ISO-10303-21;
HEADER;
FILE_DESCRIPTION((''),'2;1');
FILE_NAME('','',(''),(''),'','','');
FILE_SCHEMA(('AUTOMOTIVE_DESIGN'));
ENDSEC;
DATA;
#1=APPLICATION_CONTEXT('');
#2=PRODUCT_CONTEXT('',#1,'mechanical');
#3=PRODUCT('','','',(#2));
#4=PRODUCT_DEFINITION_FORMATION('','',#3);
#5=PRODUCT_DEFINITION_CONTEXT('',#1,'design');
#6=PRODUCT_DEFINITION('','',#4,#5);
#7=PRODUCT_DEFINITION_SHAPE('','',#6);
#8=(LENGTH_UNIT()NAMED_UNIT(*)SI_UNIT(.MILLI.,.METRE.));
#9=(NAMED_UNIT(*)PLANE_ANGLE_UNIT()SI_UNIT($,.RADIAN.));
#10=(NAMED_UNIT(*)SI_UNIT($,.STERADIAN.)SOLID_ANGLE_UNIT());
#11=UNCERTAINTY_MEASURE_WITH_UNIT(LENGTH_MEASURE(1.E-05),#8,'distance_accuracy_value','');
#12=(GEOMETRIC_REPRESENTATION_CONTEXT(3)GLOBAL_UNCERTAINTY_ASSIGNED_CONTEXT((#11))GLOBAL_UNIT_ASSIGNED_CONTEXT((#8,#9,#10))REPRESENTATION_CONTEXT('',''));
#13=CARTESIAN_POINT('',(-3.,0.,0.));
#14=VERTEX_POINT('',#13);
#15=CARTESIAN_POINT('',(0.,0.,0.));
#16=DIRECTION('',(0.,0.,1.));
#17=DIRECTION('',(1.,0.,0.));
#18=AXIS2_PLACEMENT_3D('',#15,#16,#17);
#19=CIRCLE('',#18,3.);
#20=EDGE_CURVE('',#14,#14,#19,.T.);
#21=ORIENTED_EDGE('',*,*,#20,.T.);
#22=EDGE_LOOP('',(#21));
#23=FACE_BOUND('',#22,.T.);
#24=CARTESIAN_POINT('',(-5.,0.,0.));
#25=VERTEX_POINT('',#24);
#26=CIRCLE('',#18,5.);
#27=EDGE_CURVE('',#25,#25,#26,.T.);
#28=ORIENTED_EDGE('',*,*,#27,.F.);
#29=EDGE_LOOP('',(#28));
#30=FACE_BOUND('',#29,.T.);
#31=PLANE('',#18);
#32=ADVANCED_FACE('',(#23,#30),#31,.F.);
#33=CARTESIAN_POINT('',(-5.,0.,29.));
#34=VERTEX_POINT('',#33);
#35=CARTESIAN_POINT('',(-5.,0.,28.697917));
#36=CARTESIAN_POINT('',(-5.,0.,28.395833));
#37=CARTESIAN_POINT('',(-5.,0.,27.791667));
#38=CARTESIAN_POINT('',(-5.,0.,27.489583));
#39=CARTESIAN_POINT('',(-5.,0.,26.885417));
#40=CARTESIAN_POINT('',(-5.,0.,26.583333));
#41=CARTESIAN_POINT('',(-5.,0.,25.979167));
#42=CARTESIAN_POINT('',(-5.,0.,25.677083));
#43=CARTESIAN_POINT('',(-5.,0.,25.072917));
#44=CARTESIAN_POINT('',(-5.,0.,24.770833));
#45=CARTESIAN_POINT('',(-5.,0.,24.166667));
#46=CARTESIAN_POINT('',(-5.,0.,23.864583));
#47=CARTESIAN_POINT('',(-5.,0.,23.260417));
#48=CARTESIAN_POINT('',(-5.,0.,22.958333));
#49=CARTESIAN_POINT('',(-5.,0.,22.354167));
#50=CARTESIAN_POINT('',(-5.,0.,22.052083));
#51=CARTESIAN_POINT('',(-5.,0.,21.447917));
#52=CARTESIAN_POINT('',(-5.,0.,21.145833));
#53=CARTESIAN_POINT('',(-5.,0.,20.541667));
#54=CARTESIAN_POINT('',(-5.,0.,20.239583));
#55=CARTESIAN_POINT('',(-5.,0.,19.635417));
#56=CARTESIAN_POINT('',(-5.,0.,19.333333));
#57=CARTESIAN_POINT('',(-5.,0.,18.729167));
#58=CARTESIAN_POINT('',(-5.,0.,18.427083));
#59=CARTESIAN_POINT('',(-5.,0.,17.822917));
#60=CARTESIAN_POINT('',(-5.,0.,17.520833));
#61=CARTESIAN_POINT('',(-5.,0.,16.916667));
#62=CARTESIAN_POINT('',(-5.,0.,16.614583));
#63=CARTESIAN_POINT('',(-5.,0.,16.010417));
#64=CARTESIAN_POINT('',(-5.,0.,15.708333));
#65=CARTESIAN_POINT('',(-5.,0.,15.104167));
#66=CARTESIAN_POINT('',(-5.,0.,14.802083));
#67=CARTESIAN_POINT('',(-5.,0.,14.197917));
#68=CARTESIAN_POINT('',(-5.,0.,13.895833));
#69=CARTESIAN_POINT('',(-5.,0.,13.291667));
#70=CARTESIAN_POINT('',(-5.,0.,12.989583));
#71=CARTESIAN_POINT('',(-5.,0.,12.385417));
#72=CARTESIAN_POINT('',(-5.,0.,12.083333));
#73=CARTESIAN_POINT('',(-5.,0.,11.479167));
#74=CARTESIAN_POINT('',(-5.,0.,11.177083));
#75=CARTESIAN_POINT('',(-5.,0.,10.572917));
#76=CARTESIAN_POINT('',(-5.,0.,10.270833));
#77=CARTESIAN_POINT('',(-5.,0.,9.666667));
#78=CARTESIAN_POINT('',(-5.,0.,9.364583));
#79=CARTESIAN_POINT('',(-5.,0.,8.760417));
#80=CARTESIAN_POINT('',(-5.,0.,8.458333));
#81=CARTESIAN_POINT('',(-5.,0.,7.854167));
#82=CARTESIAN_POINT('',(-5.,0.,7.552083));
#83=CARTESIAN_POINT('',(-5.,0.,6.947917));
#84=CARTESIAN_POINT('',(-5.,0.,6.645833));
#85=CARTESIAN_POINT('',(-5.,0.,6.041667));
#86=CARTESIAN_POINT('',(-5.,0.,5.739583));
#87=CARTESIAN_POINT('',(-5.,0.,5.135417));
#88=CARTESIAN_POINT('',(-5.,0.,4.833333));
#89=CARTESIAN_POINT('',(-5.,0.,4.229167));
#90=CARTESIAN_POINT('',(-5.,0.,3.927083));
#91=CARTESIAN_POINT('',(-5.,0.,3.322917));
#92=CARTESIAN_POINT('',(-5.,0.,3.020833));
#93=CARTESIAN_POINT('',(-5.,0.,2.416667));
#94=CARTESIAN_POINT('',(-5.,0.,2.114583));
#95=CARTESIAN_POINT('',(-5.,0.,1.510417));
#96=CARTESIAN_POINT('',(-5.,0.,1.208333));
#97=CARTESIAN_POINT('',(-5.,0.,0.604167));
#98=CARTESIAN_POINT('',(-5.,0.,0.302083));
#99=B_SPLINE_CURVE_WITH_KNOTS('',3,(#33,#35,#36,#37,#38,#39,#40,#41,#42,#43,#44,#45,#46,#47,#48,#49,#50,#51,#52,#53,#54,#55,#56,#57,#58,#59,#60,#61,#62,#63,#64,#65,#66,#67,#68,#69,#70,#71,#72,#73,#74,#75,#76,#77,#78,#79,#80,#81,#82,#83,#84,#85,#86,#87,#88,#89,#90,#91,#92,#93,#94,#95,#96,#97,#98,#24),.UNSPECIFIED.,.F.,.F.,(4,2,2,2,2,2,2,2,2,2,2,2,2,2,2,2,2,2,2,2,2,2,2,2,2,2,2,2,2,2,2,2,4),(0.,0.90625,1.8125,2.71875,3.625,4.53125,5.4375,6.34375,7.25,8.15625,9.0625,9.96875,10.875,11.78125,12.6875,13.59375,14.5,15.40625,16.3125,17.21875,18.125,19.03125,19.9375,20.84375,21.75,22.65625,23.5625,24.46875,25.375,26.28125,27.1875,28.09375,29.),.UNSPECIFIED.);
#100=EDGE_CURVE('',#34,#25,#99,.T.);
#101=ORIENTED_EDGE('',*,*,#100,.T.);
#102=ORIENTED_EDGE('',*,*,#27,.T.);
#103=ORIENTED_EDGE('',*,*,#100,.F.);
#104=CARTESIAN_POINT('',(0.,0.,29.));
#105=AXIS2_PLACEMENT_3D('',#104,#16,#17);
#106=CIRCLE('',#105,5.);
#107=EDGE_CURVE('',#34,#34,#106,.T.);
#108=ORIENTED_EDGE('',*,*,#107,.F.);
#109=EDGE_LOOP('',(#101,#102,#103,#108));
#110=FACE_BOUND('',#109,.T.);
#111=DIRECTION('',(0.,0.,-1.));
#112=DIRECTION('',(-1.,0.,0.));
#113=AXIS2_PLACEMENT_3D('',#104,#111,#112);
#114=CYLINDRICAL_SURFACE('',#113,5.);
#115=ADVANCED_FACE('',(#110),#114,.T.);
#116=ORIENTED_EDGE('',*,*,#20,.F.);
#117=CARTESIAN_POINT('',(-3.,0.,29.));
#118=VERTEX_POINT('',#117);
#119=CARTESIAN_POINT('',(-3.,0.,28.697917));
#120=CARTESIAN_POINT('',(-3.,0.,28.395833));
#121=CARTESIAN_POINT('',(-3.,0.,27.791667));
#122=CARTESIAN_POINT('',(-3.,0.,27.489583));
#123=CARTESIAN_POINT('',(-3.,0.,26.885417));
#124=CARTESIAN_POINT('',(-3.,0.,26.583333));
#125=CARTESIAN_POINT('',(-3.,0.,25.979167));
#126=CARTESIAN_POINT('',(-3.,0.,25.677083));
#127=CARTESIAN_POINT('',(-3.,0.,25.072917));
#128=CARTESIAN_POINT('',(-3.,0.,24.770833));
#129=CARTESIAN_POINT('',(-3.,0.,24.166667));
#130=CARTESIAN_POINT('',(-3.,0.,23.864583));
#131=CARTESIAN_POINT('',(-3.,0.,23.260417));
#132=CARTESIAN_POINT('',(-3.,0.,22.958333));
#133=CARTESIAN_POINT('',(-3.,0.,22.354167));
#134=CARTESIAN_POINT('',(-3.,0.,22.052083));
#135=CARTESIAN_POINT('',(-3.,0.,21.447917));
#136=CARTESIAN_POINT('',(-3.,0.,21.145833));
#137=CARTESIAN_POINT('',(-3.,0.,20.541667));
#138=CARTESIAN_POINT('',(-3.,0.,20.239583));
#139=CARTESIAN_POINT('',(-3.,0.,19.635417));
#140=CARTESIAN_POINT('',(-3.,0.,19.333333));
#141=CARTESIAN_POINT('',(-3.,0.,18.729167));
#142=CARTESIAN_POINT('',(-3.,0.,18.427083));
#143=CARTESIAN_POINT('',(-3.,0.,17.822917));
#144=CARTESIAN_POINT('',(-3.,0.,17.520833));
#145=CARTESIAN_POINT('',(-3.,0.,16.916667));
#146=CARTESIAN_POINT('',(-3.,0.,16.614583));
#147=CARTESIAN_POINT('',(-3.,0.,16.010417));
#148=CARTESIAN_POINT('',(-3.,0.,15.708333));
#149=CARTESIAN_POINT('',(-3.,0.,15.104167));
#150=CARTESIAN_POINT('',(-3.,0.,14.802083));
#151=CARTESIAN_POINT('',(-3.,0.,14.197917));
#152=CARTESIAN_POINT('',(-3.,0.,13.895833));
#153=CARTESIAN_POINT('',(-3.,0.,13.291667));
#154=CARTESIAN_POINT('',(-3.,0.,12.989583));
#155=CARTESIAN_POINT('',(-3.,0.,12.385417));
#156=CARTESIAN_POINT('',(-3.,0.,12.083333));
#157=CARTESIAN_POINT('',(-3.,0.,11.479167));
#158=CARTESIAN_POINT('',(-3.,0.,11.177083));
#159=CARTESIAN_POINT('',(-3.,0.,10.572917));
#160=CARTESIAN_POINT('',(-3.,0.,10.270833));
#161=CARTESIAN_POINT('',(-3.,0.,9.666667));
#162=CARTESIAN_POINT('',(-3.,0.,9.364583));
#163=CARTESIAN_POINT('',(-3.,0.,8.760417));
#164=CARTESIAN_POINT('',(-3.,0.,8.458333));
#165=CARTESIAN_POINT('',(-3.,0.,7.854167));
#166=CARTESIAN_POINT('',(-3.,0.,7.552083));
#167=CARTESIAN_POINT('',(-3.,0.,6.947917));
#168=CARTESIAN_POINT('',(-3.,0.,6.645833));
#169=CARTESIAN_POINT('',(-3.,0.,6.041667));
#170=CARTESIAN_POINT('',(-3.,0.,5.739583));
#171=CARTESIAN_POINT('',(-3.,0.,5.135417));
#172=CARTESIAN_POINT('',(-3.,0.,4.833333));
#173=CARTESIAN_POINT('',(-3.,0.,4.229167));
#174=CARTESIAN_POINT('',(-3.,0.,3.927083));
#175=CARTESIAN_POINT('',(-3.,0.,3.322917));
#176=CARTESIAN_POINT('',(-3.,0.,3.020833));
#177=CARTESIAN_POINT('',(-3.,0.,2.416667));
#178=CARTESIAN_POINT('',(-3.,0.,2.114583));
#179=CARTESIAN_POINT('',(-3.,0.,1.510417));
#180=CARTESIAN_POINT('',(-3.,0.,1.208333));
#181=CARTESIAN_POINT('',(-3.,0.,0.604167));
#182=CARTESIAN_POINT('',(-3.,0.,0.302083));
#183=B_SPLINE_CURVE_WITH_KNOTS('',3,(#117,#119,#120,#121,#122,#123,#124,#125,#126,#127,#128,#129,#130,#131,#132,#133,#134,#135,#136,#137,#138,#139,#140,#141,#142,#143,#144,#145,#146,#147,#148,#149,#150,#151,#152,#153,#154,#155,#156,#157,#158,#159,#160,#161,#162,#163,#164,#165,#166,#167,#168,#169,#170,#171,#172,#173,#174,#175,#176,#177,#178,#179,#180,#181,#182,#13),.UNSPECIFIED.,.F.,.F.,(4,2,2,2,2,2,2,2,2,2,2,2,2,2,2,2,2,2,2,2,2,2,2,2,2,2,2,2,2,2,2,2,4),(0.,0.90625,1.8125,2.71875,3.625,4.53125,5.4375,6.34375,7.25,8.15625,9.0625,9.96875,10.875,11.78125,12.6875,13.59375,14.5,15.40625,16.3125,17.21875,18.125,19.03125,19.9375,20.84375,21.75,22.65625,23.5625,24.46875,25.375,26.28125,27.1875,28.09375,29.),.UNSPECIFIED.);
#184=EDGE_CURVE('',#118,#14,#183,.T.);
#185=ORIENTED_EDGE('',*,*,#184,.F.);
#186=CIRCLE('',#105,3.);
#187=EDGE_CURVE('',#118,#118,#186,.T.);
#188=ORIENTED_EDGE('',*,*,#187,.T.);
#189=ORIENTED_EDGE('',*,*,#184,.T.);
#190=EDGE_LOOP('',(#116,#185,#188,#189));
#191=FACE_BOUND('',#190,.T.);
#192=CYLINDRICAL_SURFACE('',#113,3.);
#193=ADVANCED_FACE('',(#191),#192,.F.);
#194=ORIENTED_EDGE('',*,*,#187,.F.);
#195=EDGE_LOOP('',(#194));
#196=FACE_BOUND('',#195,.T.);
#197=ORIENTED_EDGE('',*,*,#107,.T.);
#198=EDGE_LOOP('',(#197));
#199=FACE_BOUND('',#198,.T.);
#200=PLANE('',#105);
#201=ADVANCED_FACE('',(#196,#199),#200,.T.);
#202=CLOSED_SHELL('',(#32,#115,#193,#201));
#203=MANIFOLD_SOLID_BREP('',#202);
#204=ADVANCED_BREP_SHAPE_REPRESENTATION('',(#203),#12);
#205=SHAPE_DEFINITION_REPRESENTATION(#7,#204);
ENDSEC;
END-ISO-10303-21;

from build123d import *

# Parameters (mm, degrees)
SKETCH_1_R      = 5
SKETCH_1_R_2    = 3
EXTRUDE_1_DEPTH = 29


with BuildPart() as part:
    # 草图1 → 凸台-拉伸1 (new body)
    with BuildSketch(Plane.XY):
        with Locations(Location((0, 0, 0), (0, 0, 180))):
            Circle(SKETCH_1_R)
        with Locations(Location((0, 0, 0), (0, 0, 180))):
            Circle(SKETCH_1_R_2, mode=Mode.SUBTRACT)
    extrude(amount=EXTRUDE_1_DEPTH)


solid = part.part
